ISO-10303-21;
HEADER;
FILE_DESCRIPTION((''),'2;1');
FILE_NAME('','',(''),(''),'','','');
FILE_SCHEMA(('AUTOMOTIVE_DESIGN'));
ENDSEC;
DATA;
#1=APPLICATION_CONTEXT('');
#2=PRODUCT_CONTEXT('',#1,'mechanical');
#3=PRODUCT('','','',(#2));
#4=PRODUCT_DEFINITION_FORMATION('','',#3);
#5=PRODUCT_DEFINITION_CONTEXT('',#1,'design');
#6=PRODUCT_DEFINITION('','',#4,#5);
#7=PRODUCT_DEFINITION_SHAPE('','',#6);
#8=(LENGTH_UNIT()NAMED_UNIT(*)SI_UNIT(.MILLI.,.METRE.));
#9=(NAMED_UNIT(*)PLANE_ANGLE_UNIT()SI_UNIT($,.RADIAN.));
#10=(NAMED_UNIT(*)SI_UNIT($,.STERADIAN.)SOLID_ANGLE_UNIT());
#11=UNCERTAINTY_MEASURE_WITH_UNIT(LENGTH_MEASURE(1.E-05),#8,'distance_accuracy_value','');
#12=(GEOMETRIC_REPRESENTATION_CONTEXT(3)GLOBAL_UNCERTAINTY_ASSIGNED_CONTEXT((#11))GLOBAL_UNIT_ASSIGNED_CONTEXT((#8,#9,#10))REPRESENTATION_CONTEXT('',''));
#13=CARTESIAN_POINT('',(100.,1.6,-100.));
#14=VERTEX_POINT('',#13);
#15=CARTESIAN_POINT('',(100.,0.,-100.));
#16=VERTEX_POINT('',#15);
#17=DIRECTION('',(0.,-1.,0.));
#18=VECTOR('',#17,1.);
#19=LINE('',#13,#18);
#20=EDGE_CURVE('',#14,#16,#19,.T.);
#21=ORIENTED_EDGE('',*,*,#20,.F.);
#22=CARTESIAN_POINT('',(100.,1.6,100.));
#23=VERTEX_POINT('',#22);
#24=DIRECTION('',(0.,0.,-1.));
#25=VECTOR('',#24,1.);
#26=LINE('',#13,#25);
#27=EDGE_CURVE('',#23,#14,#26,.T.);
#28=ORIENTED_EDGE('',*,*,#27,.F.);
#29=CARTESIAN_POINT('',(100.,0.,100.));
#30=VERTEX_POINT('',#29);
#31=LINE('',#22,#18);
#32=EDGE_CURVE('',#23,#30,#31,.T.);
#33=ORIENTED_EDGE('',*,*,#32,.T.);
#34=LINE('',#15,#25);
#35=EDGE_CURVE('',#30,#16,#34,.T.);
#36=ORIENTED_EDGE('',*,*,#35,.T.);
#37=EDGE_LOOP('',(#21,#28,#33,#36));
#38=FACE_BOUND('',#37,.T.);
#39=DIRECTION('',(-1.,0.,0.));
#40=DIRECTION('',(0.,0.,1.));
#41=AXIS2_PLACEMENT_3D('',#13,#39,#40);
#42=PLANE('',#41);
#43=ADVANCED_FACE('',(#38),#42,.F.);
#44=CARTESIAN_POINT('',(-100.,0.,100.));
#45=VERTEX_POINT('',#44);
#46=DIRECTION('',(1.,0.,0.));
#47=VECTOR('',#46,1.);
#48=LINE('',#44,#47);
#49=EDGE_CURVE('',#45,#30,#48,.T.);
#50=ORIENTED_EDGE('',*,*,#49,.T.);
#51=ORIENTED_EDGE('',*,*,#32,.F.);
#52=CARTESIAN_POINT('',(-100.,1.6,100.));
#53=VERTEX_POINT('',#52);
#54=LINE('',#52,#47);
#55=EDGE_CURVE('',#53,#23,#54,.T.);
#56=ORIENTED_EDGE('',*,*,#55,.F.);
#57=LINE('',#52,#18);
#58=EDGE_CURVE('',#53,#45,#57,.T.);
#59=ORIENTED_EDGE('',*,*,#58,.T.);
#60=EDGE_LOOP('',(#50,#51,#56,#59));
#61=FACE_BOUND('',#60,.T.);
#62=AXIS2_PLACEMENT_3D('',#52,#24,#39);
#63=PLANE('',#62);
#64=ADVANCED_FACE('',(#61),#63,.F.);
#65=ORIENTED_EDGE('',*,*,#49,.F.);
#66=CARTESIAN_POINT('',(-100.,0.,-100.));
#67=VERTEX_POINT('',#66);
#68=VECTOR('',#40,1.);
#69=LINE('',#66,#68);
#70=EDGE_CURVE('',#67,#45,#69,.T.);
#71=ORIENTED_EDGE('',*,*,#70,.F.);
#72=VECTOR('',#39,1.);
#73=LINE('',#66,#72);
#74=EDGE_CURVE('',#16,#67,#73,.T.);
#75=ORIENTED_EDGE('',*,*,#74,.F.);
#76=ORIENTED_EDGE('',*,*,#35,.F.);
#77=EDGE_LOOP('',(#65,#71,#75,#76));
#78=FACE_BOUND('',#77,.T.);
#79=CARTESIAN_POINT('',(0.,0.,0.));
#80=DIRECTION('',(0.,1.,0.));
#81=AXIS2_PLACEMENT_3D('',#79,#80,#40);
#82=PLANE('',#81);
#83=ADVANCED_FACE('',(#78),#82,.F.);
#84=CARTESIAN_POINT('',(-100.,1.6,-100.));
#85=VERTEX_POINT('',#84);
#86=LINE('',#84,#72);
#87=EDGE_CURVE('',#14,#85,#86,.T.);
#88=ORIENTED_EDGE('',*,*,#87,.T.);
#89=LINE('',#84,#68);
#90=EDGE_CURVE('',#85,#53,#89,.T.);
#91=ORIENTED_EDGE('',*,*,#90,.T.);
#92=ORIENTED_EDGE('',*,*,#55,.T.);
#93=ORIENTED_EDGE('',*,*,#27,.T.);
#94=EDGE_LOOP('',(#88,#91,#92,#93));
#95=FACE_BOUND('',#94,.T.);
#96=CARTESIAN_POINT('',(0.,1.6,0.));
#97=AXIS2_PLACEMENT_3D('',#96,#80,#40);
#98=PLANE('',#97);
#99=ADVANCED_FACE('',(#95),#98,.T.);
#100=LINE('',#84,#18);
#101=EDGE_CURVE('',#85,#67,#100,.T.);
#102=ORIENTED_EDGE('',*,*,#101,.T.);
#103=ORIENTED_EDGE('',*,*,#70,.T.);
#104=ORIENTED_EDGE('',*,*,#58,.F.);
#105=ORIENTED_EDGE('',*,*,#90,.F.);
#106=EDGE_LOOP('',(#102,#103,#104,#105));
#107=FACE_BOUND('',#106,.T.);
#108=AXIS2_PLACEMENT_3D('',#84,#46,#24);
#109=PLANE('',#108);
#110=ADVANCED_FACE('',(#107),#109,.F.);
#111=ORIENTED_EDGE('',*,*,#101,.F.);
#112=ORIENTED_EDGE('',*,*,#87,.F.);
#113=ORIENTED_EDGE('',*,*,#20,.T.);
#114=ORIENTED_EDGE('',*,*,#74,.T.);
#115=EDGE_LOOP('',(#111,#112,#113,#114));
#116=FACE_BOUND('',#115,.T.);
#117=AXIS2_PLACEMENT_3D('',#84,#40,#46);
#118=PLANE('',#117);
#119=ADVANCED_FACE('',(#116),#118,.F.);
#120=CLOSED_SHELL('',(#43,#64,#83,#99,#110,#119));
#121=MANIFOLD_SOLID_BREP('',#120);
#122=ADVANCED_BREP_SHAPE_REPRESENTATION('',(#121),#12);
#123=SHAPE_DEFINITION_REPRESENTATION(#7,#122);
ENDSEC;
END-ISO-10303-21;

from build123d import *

# Parameters (mm, degrees)
ESQUISSE1_W        = 200
ESQUISSE1_H        = 200
BOSS_EXTRU_1_DEPTH = 1.6


with BuildPart() as part:
    # Esquisse1 → Boss.-Extru.1 (new body)
    with BuildSketch(Plane(origin=(0, 0, 0), x_dir=(1, 0, 0), z_dir=(0, 1, 0))):
        Rectangle(ESQUISSE1_W, ESQUISSE1_H)
    extrude(amount=BOSS_EXTRU_1_DEPTH)


solid = part.part
